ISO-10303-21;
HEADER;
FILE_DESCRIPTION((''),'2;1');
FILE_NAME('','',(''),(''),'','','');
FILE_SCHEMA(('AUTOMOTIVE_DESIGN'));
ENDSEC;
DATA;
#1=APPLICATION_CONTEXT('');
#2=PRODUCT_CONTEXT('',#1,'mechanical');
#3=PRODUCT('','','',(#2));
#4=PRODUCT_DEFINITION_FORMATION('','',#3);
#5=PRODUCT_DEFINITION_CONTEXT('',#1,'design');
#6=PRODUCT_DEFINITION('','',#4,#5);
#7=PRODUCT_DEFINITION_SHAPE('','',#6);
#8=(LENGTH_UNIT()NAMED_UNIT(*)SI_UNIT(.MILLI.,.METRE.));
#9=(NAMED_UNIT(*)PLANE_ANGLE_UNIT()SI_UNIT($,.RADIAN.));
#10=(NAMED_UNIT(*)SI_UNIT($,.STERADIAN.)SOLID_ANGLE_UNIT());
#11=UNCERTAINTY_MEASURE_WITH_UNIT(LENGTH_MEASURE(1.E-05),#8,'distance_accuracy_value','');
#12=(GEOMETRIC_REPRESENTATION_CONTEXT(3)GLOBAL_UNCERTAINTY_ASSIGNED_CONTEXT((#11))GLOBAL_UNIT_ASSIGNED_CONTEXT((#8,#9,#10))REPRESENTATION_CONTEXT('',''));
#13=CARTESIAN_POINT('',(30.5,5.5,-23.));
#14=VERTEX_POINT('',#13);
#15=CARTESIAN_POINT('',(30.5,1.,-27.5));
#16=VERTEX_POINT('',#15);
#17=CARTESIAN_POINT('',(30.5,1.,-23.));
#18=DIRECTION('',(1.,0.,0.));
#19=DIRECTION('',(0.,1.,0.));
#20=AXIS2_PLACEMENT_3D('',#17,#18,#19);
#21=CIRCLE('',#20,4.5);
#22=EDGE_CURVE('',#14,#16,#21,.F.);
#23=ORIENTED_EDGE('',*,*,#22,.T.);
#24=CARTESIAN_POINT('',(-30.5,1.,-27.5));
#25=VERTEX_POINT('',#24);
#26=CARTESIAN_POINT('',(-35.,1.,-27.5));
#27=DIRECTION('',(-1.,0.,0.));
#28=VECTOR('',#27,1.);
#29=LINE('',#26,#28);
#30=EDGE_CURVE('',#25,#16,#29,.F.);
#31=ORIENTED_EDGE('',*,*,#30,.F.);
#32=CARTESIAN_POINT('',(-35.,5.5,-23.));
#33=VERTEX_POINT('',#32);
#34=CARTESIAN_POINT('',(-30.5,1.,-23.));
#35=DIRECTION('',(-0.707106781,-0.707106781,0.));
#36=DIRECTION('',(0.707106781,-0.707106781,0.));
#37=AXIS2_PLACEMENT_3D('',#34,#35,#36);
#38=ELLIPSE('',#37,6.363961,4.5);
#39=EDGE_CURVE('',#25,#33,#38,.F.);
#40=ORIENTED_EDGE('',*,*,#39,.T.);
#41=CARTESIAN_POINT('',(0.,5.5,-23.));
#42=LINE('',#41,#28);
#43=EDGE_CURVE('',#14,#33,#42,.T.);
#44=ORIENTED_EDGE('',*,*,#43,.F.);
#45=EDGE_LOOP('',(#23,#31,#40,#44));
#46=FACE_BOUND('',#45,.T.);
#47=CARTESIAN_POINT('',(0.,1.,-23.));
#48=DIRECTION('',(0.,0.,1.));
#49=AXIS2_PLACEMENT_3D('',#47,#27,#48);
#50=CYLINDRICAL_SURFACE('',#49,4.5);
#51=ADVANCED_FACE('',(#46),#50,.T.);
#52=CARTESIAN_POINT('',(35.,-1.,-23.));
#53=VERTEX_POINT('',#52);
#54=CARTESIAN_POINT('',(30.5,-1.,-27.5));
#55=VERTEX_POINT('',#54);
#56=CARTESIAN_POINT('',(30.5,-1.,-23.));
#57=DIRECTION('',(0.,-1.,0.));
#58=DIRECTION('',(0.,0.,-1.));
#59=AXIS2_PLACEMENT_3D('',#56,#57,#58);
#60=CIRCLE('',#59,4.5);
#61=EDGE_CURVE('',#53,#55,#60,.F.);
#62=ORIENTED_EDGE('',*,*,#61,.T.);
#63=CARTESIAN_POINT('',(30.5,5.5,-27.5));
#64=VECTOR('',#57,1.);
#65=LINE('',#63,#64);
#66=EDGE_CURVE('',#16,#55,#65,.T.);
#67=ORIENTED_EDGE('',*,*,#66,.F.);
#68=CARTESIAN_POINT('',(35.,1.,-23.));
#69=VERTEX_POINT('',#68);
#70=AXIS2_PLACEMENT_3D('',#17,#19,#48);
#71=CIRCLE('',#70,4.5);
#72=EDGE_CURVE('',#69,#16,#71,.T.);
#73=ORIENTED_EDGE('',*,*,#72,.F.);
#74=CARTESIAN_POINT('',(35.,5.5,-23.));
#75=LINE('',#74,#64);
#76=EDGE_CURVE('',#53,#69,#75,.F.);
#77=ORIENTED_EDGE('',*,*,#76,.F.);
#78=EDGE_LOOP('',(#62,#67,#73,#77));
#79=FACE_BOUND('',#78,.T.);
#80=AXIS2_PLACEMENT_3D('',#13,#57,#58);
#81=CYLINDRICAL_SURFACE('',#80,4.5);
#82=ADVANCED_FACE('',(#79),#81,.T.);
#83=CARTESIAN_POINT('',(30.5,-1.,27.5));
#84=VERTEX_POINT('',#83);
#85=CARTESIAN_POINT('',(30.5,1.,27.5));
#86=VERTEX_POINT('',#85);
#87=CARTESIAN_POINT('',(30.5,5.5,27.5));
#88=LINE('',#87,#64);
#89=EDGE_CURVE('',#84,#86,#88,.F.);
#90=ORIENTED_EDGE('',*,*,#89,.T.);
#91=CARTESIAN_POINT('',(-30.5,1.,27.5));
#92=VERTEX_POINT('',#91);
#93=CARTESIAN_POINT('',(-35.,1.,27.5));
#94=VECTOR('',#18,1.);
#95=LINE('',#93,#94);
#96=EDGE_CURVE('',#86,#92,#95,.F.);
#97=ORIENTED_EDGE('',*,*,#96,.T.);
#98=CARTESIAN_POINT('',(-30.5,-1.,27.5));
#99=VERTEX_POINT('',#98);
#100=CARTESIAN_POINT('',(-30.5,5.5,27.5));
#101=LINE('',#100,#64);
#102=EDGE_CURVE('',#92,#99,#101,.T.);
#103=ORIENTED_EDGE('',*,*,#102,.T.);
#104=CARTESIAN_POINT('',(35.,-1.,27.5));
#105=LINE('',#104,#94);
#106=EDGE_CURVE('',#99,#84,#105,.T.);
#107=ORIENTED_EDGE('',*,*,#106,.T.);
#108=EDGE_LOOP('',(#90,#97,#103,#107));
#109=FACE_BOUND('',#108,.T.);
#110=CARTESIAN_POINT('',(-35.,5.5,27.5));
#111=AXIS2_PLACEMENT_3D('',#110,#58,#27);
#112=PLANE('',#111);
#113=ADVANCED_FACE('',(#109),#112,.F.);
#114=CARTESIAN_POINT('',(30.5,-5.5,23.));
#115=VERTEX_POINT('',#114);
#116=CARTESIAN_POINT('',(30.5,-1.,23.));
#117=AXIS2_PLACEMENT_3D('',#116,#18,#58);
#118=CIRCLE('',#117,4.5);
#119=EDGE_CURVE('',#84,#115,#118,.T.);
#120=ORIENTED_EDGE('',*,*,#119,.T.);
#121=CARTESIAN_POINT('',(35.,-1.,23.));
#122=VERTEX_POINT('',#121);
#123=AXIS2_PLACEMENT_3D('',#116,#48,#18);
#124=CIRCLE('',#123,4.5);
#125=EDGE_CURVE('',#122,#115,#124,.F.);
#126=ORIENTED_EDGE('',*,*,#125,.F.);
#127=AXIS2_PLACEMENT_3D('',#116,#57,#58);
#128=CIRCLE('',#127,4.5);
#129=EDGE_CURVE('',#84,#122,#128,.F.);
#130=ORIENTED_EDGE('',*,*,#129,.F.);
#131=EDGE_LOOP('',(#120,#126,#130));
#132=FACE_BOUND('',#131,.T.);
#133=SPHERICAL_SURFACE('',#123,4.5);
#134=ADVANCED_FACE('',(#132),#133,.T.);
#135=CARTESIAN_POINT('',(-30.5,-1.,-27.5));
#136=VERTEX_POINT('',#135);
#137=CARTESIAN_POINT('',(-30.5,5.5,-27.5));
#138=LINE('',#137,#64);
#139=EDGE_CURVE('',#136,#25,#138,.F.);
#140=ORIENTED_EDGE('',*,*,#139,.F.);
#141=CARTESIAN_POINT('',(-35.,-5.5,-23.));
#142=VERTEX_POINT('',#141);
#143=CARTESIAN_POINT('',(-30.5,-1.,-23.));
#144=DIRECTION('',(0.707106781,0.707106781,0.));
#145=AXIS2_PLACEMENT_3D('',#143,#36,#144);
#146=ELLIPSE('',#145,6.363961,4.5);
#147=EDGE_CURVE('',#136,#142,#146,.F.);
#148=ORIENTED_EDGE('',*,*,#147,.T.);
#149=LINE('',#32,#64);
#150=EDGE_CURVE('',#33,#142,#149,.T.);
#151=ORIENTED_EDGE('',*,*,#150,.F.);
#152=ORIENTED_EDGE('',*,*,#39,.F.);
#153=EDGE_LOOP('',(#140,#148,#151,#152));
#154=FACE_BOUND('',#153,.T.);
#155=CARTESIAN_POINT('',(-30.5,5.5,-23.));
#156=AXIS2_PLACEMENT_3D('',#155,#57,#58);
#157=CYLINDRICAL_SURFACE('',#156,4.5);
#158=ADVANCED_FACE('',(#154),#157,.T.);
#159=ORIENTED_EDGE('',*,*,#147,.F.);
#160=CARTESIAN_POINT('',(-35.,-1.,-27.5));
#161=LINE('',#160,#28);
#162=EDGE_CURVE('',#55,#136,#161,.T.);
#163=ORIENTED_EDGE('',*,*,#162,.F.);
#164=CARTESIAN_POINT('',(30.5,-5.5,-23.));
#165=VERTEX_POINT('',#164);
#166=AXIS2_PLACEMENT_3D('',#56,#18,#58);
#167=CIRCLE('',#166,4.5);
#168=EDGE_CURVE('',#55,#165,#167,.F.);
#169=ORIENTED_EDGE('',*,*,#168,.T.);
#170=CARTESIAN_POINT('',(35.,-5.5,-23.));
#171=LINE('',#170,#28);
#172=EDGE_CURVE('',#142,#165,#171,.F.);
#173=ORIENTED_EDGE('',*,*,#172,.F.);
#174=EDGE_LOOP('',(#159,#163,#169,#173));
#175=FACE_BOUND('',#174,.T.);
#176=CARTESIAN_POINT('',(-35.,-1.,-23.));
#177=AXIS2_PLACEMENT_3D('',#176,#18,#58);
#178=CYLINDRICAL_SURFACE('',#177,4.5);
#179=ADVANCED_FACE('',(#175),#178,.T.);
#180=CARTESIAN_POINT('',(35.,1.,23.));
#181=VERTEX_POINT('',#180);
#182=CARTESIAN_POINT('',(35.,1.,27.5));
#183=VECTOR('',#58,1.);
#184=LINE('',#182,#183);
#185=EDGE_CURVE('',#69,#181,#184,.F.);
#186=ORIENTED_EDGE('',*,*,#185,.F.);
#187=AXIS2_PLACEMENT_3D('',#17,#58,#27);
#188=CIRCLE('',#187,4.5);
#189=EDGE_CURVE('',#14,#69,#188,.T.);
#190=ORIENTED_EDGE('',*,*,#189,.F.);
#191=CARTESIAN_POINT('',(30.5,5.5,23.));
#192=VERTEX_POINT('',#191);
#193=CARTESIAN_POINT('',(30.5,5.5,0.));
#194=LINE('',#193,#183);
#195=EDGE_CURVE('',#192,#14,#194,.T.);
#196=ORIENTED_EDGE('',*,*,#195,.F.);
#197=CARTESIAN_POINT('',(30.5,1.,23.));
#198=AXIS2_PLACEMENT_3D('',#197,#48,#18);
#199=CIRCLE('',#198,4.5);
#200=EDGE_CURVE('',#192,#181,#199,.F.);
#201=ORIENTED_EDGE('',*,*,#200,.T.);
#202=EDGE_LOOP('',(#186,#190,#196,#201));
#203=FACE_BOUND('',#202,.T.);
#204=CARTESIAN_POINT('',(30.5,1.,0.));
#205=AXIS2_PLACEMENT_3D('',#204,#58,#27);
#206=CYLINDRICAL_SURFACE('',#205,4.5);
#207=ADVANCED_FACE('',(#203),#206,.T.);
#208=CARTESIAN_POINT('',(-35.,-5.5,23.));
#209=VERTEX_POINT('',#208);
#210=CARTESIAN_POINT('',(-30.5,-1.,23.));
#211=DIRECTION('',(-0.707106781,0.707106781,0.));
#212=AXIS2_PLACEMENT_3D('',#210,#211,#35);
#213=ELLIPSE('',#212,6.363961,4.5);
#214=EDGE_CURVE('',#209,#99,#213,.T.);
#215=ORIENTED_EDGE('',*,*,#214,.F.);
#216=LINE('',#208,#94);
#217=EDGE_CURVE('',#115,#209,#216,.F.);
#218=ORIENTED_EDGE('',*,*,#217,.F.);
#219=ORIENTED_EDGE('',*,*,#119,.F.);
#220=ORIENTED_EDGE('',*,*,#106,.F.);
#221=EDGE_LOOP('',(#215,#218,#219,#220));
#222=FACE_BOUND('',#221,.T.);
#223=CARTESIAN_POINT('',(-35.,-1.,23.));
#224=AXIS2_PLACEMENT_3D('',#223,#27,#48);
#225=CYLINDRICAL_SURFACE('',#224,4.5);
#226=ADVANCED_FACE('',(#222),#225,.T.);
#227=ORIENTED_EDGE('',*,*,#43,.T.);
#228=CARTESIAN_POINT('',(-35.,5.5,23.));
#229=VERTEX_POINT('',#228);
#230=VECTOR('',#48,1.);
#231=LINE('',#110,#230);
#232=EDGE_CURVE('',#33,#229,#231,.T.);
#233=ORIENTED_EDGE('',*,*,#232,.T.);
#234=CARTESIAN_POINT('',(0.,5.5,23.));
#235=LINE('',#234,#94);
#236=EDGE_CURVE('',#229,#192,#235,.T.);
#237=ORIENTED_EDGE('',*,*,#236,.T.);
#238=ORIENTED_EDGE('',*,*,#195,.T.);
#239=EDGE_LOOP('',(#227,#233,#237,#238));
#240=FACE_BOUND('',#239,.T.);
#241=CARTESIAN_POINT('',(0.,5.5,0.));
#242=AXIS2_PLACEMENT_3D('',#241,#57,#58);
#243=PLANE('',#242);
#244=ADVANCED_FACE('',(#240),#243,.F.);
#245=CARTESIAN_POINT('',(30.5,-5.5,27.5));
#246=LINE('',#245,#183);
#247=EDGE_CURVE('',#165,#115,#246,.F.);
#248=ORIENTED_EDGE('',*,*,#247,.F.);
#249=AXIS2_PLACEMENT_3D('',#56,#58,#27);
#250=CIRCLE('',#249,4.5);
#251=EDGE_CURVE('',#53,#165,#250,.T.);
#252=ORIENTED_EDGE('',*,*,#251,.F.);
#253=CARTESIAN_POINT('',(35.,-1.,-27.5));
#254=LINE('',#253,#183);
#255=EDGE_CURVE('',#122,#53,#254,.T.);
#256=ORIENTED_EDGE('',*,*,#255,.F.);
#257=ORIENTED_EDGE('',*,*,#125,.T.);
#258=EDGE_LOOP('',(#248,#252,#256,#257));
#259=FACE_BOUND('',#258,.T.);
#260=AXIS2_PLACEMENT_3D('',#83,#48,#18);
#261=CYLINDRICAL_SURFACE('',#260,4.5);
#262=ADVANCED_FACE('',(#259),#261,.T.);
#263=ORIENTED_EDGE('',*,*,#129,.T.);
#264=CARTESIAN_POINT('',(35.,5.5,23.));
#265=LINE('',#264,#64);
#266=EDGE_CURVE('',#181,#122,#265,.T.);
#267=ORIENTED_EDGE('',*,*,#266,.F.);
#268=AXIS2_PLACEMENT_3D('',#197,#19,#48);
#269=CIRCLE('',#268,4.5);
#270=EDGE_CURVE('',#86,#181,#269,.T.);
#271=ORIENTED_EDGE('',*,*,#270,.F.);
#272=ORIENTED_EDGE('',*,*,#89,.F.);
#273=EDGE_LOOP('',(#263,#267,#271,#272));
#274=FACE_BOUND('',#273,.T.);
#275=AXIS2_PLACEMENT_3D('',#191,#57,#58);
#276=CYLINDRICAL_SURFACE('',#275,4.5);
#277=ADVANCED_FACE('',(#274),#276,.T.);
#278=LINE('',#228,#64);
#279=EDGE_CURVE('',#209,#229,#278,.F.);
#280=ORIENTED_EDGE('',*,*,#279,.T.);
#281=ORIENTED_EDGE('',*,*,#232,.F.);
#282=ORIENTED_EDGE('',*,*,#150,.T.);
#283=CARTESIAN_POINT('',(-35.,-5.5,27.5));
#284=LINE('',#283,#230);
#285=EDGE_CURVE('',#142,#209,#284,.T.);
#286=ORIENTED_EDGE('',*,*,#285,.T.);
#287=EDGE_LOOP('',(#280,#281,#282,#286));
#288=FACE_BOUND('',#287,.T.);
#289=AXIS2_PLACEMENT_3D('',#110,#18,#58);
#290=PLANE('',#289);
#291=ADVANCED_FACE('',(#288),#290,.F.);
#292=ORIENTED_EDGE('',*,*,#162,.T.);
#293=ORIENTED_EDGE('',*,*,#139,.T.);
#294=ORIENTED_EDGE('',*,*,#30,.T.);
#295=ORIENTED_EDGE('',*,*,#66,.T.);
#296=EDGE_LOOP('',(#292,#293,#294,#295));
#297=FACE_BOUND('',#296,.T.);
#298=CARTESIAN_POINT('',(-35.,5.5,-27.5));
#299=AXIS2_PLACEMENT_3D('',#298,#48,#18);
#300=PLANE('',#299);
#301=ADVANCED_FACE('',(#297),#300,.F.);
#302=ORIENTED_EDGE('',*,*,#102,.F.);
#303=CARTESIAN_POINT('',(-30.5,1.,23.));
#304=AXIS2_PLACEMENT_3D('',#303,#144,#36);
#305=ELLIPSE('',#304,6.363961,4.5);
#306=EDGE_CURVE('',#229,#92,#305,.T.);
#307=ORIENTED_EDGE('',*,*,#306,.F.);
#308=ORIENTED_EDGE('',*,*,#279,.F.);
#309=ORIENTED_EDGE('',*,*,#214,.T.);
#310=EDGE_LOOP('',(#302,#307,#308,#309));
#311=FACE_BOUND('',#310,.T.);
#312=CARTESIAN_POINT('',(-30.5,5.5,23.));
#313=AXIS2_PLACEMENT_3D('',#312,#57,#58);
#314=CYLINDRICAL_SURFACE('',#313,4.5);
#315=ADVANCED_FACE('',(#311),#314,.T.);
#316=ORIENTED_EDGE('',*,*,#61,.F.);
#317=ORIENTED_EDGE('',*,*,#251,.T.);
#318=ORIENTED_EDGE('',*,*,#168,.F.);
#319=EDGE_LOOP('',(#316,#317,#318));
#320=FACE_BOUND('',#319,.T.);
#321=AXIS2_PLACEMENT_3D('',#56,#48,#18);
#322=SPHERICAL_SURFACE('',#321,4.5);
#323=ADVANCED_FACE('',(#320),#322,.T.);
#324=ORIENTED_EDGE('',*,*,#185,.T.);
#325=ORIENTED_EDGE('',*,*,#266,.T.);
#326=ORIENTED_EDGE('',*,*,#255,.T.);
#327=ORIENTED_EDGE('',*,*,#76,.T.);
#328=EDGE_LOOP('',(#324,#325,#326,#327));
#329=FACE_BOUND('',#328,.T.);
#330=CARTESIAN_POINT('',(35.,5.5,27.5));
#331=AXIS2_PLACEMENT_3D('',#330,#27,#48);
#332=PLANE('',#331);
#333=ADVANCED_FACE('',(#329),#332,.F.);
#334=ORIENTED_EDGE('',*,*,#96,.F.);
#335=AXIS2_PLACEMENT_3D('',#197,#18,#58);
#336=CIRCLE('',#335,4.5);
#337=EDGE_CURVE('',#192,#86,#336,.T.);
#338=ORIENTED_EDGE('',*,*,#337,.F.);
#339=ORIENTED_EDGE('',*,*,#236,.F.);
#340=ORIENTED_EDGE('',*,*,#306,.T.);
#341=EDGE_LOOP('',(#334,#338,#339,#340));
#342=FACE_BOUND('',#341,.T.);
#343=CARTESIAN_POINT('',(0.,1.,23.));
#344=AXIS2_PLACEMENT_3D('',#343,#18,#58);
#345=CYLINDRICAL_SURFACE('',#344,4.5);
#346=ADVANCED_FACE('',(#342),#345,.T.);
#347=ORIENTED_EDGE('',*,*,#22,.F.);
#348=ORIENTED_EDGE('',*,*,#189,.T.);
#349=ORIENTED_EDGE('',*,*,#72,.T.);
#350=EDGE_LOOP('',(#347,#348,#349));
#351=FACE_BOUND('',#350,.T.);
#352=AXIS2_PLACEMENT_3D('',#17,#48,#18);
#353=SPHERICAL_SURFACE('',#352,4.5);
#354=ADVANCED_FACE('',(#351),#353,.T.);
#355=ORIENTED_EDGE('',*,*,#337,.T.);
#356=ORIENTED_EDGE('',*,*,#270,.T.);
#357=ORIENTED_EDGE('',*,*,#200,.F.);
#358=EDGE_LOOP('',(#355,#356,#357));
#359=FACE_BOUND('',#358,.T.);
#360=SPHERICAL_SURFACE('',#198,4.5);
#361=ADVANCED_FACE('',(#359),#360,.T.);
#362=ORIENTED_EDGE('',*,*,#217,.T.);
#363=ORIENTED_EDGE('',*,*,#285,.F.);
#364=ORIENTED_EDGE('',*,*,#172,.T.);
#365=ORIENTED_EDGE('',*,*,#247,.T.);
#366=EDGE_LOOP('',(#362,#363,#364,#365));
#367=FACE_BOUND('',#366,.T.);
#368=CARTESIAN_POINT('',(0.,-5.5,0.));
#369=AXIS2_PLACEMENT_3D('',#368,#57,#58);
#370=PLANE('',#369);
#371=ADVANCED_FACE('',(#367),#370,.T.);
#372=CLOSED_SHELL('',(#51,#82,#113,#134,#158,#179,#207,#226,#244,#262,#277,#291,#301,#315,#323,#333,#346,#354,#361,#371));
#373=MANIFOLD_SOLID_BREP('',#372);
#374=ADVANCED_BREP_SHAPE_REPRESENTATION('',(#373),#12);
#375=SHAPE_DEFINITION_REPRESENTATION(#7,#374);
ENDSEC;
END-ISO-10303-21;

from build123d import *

# Parameters (mm, degrees)
SKETCH1_W           = 70
SKETCH1_H           = 55
BOSS_EXTRUDE1_DEPTH = 5.5
FILLET1_R           = 4.5


with BuildPart() as part:
    # Sketch1 → Boss-Extrude1 (new, symmetric)
    with BuildSketch(Plane(origin=(0, 0, 0), x_dir=(1, 0, 0), z_dir=(0, 1, 0))):
        Rectangle(SKETCH1_W, SKETCH1_H)
    extrude(amount=BOSS_EXTRUDE1_DEPTH, both=True)

    # Fillet1
    fillet1_edges = [part.edges().sort_by_distance(p)[0] for p in [
        (0, 5.5, 27.5),
        (35, 5.5, 0),
        (0, -5.5, 27.5),
        (0, -5.5, -27.5),
        (35, -5.5, 0),
        (35, 0, 27.5),
        (-35, 0, 27.5),
        (-35, 0, -27.5),
        (35, 0, -27.5),
        (0, 5.5, -27.5),
    ]]
    fillet(fillet1_edges, radius=FILLET1_R)


solid = part.part
